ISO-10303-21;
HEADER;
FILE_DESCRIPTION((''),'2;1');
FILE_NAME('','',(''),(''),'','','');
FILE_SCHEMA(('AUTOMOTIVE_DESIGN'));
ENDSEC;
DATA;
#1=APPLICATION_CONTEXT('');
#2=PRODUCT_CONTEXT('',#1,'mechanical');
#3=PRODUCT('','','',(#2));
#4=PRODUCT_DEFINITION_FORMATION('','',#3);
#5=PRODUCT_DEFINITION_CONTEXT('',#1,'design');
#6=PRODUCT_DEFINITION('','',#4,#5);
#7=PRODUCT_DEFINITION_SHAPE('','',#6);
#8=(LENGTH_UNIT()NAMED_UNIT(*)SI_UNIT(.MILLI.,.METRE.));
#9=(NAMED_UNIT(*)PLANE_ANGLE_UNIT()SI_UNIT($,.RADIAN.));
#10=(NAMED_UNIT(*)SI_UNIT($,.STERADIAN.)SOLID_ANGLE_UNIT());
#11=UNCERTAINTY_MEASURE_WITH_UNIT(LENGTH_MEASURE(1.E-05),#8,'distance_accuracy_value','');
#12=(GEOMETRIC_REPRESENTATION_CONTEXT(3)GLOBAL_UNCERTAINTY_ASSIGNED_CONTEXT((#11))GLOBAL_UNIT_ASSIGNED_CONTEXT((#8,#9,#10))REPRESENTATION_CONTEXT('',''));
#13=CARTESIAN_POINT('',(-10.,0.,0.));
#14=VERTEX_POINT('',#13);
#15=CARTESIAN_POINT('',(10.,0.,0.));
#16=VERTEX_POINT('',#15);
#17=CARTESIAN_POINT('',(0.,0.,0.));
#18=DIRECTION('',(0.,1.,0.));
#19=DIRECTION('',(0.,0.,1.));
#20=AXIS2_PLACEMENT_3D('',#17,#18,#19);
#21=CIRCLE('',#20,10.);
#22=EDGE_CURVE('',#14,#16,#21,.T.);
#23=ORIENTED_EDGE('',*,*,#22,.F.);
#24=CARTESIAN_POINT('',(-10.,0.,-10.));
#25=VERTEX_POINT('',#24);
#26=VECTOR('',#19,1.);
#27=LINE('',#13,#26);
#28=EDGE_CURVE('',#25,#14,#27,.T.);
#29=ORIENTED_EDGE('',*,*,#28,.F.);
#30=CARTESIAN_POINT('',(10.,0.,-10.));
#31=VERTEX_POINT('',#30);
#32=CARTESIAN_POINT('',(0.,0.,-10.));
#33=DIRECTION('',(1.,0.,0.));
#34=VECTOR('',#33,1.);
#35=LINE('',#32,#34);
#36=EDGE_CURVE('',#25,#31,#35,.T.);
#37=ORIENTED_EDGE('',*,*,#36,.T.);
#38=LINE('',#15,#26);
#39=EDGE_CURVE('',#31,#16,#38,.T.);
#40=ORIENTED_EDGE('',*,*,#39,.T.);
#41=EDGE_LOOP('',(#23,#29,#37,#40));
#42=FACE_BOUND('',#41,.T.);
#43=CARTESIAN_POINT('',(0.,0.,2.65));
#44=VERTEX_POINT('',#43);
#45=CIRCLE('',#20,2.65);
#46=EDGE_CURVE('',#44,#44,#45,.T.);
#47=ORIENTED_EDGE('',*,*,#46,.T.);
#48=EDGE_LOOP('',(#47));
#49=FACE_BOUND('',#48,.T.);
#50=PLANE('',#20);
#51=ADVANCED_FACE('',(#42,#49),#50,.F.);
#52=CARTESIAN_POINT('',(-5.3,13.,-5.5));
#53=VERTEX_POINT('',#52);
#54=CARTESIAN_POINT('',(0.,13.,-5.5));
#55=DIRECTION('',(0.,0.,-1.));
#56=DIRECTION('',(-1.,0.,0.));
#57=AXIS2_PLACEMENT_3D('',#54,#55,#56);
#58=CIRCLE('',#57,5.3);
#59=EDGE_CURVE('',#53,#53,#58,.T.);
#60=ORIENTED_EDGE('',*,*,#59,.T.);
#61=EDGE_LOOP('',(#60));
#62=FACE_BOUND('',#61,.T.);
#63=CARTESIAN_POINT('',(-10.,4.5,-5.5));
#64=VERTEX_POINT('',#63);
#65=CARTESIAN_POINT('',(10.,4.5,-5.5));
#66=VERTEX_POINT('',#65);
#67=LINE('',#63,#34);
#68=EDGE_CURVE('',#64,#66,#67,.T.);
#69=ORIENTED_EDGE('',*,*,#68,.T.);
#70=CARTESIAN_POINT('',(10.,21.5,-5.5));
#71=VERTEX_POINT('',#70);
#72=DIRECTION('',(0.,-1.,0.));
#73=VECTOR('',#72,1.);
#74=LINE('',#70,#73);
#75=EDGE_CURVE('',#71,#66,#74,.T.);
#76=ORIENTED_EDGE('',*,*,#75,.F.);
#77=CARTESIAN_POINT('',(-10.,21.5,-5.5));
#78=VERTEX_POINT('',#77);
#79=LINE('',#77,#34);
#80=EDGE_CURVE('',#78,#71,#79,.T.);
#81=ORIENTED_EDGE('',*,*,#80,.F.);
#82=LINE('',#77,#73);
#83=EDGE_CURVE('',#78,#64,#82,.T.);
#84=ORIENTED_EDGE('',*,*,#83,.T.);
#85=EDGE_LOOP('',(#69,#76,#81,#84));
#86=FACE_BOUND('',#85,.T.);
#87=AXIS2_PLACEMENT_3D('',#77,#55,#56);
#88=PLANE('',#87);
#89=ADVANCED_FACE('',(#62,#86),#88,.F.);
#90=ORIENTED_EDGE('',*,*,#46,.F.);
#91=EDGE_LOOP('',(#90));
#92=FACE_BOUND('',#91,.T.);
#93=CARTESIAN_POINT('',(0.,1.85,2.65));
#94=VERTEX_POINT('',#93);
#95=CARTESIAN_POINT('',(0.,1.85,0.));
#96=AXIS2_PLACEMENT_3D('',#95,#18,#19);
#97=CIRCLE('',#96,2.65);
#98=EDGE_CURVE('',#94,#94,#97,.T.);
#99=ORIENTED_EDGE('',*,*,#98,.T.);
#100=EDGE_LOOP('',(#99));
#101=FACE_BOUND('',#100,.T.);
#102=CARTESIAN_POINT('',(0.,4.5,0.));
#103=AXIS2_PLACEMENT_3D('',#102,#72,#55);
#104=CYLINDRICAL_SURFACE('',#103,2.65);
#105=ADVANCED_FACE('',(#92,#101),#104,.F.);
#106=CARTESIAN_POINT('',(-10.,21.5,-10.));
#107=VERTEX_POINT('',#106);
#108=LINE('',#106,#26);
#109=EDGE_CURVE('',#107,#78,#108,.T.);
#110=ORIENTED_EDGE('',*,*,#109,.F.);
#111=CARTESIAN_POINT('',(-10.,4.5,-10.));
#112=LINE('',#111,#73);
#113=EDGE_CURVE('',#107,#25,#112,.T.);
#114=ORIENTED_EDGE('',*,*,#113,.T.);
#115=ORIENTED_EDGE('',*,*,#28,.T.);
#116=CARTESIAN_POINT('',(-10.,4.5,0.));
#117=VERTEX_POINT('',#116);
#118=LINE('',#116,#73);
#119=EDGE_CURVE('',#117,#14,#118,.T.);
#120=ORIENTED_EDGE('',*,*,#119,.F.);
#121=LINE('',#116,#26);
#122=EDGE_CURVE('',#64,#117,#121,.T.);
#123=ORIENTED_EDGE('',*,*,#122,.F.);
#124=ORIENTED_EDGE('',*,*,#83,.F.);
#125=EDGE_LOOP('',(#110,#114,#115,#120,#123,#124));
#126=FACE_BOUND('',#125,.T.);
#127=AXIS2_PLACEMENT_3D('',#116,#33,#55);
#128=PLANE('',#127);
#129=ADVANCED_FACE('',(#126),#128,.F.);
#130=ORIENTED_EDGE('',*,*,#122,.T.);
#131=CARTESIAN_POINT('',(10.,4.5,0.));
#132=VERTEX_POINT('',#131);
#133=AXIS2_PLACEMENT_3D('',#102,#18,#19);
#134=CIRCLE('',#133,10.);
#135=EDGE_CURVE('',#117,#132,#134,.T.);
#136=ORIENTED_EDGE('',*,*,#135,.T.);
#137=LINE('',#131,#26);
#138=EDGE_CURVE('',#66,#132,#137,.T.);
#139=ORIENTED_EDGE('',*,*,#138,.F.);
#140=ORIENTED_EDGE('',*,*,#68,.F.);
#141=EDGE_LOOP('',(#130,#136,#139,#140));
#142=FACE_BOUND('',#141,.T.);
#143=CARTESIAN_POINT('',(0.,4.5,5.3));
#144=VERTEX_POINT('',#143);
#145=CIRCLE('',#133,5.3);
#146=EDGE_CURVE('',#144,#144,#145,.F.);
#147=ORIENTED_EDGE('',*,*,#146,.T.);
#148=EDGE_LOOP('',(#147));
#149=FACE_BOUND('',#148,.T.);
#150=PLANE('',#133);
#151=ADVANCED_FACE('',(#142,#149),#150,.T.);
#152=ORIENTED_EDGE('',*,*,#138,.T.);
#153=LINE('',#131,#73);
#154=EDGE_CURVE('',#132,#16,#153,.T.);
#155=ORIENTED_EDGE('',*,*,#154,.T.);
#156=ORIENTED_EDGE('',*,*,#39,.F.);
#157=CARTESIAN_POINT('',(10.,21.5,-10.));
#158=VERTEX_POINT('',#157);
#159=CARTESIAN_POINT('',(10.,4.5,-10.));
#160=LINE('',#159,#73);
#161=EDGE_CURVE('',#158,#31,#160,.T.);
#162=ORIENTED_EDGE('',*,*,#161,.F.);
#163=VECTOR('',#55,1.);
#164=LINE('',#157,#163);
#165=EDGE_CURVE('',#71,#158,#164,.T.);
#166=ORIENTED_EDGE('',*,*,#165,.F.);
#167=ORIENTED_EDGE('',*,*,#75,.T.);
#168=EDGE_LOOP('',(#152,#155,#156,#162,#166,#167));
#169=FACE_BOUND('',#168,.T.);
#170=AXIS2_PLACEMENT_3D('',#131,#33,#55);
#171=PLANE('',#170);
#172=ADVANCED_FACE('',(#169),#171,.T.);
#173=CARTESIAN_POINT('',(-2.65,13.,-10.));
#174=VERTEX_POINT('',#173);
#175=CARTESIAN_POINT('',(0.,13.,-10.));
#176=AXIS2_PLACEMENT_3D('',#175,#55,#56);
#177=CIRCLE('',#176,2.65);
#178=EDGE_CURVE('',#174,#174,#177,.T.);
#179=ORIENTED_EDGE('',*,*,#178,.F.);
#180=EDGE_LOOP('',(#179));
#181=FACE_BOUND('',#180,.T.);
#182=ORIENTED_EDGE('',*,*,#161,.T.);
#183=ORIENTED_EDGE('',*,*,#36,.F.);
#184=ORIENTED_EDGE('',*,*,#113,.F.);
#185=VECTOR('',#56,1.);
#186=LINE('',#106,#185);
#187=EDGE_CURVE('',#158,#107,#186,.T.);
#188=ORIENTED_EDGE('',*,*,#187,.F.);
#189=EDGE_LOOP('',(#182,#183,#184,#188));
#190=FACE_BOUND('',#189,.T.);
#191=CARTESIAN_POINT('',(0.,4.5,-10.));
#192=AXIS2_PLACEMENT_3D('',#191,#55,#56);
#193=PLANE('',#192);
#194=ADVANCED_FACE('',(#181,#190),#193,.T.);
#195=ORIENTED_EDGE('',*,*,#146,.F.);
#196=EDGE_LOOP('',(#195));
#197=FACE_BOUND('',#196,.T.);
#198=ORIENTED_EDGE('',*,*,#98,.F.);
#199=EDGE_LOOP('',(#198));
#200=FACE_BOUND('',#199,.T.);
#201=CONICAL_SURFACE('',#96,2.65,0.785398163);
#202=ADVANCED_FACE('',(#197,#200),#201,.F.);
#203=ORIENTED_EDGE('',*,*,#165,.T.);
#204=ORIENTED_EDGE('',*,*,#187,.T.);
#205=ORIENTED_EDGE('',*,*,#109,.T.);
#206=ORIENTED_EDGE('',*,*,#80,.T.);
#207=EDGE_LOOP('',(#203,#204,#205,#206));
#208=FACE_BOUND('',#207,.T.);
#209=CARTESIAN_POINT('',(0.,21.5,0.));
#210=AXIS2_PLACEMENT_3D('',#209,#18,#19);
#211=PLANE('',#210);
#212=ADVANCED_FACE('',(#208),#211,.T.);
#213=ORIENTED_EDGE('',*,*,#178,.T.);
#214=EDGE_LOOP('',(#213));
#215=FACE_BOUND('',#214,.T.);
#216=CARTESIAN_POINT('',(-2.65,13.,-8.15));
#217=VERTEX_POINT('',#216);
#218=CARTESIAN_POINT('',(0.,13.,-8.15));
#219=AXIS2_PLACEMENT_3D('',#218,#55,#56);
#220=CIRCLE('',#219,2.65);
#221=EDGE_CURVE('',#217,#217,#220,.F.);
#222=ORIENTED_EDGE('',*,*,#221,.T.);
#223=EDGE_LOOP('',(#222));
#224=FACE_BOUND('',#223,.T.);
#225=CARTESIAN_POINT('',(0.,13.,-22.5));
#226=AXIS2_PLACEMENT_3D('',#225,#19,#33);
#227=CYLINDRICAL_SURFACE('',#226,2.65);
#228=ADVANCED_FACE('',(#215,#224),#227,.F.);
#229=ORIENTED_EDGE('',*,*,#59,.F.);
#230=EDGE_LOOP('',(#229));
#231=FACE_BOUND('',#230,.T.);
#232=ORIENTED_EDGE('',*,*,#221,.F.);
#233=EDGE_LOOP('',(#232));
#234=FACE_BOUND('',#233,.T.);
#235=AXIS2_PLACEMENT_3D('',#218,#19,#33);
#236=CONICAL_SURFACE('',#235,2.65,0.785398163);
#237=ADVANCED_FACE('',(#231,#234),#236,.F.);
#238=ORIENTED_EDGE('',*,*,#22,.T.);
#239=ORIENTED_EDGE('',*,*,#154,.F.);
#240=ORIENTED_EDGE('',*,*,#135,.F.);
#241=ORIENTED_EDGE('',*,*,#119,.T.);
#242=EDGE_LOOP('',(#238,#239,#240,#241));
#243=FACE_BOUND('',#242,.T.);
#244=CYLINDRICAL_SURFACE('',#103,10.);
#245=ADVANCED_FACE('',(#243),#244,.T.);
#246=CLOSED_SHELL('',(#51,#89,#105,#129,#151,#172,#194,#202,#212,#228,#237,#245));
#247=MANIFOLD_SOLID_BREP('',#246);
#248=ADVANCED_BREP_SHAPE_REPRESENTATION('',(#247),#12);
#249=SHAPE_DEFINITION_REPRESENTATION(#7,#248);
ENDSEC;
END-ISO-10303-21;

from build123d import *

# Parameters (mm, degrees)
SKETCH_1_R          = 10
SKETCH_1_R_2        = 2.65
EXTRUDE_1_DEPTH     = 4.5
SKETCH_2_W          = 20
SKETCH_2_H          = 4.5
EXTRUDE_2_DEPTH     = 17
SKETCH_3_R          = 2.65
CUT_EXTRUDE_1_DEPTH = 17
CHAMFER_1_SIZE      = 2.65


with BuildPart() as part:
    # 草图1 → 凸台-拉伸1 (new body)
    # profile 1 of 3: a face of its own
    with BuildSketch(Plane(origin=(0, 0, 0), x_dir=(1, 0, 0), z_dir=(0, 1, 0))):
        with BuildLine():
            Line((0, 10), (-10, 10))
            Line((-10, 10), (-10, 0))
            ThreePointArc((-10, 0), (-7.071067812, 7.071067812), (0, 10))
        make_face()
    # profile 2 of 3: a face of its own
    with BuildSketch(Plane(origin=(0, 0, 0), x_dir=(1, 0, 0), z_dir=(0, 1, 0))):
        with BuildLine():
            Line((10, 10), (0, 10))
            ThreePointArc((0, 10), (7.071067812, 7.071067812), (10, 0))
            Line((10, 0), (10, 10))
        make_face()
    # profile 3 of 3: a face of its own
    with BuildSketch(Plane(origin=(0, 0, 0), x_dir=(1, 0, 0), z_dir=(0, 1, 0))):
        Circle(SKETCH_1_R)
        with Locations(Location((0, 0, 0), (0, 0, 270))):
            Circle(SKETCH_1_R_2, mode=Mode.SUBTRACT)
    extrude(amount=EXTRUDE_1_DEPTH)

    # 草图2 → 凸台-拉伸2 (add)
    with BuildSketch(Plane(origin=(0, 4.5, 0), x_dir=(1, 0, 0), z_dir=(0, 1, 0))):
        with Locations((0, 7.75)):
            Rectangle(SKETCH_2_W, SKETCH_2_H)
    extrude(amount=EXTRUDE_2_DEPTH)

    # 草图3 → 切除-拉伸1 (cut)
    with BuildSketch(Plane.XY.offset(-5.5)):
        with Locations((0, 13)):
            Circle(SKETCH_3_R)
    extrude(amount=-CUT_EXTRUDE_1_DEPTH, mode=Mode.SUBTRACT)

    # 倒角1
    chamfer_1_edges = [part.edges().sort_by_distance(p)[0] for p in [
        (0, 4.5, -2.65),
        (-2.65, 13, -5.5),
    ]]
    chamfer(chamfer_1_edges, length=CHAMFER_1_SIZE)


solid = part.part
